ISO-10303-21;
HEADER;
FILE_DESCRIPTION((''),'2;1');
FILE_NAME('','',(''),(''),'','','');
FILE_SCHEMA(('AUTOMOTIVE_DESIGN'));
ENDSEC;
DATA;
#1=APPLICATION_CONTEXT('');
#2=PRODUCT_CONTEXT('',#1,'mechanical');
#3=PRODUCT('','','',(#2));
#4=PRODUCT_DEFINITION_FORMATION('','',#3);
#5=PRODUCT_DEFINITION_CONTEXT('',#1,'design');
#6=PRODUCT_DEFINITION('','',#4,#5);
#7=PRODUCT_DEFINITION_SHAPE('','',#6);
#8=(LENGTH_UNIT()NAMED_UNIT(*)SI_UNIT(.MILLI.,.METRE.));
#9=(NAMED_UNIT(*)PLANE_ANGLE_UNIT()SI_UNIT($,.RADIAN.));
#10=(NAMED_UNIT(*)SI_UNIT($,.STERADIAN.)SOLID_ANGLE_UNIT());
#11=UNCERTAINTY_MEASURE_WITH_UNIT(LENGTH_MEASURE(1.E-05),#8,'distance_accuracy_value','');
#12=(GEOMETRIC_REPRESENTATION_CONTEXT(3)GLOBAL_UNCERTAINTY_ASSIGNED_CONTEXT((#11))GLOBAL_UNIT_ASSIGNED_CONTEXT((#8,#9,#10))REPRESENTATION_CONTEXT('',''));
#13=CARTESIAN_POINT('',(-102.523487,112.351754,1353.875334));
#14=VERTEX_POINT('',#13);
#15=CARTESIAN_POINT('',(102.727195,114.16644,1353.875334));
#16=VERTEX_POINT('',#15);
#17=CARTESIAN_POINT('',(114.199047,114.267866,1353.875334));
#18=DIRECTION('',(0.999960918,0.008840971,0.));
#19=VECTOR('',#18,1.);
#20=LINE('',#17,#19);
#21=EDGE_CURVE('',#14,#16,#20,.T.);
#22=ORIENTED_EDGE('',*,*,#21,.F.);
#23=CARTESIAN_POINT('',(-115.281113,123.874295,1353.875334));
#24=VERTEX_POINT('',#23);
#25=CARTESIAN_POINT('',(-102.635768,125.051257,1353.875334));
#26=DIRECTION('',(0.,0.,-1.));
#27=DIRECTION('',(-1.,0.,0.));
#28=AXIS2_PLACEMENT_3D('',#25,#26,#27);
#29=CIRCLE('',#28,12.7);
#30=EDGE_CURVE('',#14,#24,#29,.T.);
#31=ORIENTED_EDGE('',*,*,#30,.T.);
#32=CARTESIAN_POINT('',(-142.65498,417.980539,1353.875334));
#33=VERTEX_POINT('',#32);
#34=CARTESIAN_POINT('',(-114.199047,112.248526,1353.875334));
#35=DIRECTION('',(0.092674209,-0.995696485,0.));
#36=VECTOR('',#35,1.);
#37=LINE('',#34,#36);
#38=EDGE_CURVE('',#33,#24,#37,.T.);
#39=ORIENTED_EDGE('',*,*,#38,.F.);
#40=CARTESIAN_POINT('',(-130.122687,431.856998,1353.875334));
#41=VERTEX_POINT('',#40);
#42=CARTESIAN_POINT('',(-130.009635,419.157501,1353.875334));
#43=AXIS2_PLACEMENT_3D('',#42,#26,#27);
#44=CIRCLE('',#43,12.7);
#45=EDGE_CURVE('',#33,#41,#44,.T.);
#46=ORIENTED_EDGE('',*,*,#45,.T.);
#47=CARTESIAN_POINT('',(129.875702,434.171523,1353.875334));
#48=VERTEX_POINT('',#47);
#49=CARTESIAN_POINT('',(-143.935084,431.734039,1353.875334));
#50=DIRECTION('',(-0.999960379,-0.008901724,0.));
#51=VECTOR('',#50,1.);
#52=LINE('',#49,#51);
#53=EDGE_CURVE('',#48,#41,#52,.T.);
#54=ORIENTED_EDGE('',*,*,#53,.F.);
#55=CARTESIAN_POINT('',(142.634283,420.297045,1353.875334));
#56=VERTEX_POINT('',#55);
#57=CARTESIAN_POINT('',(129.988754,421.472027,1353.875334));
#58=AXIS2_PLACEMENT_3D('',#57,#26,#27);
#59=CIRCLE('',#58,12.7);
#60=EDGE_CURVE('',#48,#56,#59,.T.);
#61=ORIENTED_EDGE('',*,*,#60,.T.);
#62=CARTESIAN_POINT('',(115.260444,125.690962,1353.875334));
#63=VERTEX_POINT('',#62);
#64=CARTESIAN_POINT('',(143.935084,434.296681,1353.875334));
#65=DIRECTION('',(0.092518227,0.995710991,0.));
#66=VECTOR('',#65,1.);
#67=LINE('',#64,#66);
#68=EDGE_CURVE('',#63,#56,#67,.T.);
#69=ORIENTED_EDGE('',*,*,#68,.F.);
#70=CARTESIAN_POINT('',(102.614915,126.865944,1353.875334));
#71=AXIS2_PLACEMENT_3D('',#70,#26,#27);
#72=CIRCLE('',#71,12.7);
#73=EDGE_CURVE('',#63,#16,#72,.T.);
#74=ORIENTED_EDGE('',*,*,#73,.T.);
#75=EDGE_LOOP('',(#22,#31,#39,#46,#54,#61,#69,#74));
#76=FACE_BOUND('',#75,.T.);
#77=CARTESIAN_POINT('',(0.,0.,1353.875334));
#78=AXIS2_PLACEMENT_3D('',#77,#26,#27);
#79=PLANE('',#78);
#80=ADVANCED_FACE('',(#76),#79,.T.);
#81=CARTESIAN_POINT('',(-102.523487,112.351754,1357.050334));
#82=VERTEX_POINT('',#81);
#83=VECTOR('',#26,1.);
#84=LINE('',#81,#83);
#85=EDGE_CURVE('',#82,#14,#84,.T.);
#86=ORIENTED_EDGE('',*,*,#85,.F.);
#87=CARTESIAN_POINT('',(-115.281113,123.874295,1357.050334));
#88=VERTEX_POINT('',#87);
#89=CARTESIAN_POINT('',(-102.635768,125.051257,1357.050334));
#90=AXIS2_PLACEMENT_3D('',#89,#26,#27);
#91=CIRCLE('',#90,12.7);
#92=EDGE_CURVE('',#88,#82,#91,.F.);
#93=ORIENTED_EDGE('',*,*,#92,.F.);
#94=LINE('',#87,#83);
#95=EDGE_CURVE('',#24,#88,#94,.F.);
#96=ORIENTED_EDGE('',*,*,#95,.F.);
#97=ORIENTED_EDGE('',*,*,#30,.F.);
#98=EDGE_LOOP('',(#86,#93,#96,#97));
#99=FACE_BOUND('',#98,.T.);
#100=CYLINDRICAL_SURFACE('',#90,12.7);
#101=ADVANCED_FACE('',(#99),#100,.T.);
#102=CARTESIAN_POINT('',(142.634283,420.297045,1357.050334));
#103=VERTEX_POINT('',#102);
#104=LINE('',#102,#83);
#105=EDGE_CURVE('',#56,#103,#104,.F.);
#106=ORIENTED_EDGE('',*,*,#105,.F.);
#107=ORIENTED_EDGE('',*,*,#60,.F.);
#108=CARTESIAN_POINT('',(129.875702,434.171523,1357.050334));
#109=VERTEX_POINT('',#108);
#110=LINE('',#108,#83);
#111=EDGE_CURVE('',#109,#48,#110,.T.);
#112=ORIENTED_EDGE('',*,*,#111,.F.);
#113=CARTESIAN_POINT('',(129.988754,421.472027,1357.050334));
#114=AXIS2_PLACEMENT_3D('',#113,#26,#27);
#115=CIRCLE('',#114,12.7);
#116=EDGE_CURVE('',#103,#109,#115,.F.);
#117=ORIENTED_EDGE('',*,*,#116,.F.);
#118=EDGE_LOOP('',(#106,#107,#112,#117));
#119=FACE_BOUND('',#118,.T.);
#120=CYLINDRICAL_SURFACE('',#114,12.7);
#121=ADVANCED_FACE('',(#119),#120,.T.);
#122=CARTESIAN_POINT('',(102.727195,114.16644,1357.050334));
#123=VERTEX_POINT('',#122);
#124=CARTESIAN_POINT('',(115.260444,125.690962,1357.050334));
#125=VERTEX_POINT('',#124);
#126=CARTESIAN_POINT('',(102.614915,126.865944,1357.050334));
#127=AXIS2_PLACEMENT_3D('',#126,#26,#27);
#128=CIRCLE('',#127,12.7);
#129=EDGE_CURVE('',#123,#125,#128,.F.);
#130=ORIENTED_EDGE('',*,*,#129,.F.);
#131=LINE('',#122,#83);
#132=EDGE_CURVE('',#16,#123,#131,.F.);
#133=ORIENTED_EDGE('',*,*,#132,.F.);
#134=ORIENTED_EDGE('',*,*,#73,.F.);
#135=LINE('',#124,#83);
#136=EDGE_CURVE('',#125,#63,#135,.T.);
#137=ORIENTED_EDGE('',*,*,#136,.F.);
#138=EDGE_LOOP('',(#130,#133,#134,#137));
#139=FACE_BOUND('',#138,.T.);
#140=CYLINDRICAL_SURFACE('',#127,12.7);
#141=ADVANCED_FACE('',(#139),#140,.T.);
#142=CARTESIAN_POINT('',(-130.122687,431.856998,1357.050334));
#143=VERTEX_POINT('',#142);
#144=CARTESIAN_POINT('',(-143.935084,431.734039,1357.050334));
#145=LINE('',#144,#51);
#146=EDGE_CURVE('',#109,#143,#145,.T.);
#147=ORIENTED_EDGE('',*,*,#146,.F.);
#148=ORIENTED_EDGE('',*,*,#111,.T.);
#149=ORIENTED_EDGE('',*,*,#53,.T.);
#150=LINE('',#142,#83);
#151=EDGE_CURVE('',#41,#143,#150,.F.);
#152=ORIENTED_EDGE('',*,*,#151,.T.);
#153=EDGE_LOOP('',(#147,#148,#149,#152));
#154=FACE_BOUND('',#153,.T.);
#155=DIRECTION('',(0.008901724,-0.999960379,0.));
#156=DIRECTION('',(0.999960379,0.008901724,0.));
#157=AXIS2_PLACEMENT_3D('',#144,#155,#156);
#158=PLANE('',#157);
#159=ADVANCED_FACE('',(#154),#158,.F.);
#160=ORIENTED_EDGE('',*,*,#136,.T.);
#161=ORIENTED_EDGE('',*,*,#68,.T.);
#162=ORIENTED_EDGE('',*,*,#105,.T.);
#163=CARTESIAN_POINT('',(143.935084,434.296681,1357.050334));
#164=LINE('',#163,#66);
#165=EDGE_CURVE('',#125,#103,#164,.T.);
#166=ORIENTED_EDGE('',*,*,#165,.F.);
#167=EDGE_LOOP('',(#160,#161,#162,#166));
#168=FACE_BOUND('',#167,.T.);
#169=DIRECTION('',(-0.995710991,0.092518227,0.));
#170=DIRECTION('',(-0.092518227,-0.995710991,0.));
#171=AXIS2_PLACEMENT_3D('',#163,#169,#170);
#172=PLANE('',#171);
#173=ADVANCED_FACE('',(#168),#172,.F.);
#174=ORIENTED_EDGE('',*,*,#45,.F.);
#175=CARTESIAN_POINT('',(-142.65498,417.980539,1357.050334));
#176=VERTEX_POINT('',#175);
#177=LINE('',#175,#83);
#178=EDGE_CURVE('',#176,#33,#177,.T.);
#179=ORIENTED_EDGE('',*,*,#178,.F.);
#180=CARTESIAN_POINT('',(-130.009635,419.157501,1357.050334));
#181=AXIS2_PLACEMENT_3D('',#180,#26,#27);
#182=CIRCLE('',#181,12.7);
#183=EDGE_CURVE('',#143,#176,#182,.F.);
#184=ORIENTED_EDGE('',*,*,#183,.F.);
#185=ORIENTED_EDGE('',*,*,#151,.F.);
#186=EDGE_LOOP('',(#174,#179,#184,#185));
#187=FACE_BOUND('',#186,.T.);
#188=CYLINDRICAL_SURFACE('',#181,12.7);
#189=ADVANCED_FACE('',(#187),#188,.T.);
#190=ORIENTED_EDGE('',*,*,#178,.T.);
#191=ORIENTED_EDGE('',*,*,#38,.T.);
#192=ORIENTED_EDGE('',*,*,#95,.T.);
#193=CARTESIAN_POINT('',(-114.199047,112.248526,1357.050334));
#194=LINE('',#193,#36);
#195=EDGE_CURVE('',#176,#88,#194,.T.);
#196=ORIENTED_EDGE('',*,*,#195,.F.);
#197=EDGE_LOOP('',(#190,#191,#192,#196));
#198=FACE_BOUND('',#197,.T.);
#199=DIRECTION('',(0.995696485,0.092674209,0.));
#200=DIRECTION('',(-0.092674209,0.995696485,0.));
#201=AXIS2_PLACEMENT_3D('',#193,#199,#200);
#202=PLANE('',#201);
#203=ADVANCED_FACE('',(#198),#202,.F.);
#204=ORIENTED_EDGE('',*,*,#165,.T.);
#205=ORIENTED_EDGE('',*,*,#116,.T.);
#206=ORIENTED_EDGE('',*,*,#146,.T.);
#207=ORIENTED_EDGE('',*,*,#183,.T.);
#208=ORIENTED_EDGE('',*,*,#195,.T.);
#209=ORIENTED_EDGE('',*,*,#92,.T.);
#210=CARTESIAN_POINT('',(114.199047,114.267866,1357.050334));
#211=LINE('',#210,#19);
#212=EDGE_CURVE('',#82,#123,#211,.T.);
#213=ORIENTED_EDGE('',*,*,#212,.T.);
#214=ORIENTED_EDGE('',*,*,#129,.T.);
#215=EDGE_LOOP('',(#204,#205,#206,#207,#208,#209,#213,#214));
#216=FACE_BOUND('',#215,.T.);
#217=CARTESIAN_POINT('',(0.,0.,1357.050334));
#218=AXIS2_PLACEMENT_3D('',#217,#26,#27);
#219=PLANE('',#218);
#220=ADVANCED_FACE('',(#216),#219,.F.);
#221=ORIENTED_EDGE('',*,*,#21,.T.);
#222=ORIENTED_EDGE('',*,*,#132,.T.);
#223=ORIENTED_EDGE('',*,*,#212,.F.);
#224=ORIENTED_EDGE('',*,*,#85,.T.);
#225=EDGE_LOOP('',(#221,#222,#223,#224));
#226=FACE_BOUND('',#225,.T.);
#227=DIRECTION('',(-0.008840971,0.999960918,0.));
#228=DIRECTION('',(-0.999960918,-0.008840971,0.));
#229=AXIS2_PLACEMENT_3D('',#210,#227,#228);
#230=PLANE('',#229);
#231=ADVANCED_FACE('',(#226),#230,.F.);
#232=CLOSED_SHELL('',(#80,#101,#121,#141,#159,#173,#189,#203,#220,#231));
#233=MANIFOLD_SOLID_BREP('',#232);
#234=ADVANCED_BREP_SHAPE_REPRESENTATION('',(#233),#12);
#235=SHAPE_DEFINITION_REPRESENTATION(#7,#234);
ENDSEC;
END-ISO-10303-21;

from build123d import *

# Parameters (mm, degrees)
BOSS_EXTRUDE1_DEPTH = 3.175
FILLET1_R           = 12.7


with BuildPart() as part:
    # Sketch1 → Boss-Extrude1 (new body)
    with BuildSketch(Plane.XY.offset(1353.875334154)):
        Polygon((-114.199047439, 112.248526419), (-143.93508403, 431.734038744), (143.93508403, 434.29668119), (114.199047439, 114.267866307), align=None)
    extrude(amount=BOSS_EXTRUDE1_DEPTH)

    # Fillet1
    fillet1_edges = [part.edges().sort_by_distance(p)[0] for p in [
        (-114.199047439, 112.248526419, 1355.462834154),
        (-143.93508403, 431.734038744, 1355.462834154),
        (143.93508403, 434.29668119, 1355.462834154),
        (114.199047439, 114.267866307, 1355.462834154),
    ]]
    fillet(fillet1_edges, radius=FILLET1_R)


solid = part.part
